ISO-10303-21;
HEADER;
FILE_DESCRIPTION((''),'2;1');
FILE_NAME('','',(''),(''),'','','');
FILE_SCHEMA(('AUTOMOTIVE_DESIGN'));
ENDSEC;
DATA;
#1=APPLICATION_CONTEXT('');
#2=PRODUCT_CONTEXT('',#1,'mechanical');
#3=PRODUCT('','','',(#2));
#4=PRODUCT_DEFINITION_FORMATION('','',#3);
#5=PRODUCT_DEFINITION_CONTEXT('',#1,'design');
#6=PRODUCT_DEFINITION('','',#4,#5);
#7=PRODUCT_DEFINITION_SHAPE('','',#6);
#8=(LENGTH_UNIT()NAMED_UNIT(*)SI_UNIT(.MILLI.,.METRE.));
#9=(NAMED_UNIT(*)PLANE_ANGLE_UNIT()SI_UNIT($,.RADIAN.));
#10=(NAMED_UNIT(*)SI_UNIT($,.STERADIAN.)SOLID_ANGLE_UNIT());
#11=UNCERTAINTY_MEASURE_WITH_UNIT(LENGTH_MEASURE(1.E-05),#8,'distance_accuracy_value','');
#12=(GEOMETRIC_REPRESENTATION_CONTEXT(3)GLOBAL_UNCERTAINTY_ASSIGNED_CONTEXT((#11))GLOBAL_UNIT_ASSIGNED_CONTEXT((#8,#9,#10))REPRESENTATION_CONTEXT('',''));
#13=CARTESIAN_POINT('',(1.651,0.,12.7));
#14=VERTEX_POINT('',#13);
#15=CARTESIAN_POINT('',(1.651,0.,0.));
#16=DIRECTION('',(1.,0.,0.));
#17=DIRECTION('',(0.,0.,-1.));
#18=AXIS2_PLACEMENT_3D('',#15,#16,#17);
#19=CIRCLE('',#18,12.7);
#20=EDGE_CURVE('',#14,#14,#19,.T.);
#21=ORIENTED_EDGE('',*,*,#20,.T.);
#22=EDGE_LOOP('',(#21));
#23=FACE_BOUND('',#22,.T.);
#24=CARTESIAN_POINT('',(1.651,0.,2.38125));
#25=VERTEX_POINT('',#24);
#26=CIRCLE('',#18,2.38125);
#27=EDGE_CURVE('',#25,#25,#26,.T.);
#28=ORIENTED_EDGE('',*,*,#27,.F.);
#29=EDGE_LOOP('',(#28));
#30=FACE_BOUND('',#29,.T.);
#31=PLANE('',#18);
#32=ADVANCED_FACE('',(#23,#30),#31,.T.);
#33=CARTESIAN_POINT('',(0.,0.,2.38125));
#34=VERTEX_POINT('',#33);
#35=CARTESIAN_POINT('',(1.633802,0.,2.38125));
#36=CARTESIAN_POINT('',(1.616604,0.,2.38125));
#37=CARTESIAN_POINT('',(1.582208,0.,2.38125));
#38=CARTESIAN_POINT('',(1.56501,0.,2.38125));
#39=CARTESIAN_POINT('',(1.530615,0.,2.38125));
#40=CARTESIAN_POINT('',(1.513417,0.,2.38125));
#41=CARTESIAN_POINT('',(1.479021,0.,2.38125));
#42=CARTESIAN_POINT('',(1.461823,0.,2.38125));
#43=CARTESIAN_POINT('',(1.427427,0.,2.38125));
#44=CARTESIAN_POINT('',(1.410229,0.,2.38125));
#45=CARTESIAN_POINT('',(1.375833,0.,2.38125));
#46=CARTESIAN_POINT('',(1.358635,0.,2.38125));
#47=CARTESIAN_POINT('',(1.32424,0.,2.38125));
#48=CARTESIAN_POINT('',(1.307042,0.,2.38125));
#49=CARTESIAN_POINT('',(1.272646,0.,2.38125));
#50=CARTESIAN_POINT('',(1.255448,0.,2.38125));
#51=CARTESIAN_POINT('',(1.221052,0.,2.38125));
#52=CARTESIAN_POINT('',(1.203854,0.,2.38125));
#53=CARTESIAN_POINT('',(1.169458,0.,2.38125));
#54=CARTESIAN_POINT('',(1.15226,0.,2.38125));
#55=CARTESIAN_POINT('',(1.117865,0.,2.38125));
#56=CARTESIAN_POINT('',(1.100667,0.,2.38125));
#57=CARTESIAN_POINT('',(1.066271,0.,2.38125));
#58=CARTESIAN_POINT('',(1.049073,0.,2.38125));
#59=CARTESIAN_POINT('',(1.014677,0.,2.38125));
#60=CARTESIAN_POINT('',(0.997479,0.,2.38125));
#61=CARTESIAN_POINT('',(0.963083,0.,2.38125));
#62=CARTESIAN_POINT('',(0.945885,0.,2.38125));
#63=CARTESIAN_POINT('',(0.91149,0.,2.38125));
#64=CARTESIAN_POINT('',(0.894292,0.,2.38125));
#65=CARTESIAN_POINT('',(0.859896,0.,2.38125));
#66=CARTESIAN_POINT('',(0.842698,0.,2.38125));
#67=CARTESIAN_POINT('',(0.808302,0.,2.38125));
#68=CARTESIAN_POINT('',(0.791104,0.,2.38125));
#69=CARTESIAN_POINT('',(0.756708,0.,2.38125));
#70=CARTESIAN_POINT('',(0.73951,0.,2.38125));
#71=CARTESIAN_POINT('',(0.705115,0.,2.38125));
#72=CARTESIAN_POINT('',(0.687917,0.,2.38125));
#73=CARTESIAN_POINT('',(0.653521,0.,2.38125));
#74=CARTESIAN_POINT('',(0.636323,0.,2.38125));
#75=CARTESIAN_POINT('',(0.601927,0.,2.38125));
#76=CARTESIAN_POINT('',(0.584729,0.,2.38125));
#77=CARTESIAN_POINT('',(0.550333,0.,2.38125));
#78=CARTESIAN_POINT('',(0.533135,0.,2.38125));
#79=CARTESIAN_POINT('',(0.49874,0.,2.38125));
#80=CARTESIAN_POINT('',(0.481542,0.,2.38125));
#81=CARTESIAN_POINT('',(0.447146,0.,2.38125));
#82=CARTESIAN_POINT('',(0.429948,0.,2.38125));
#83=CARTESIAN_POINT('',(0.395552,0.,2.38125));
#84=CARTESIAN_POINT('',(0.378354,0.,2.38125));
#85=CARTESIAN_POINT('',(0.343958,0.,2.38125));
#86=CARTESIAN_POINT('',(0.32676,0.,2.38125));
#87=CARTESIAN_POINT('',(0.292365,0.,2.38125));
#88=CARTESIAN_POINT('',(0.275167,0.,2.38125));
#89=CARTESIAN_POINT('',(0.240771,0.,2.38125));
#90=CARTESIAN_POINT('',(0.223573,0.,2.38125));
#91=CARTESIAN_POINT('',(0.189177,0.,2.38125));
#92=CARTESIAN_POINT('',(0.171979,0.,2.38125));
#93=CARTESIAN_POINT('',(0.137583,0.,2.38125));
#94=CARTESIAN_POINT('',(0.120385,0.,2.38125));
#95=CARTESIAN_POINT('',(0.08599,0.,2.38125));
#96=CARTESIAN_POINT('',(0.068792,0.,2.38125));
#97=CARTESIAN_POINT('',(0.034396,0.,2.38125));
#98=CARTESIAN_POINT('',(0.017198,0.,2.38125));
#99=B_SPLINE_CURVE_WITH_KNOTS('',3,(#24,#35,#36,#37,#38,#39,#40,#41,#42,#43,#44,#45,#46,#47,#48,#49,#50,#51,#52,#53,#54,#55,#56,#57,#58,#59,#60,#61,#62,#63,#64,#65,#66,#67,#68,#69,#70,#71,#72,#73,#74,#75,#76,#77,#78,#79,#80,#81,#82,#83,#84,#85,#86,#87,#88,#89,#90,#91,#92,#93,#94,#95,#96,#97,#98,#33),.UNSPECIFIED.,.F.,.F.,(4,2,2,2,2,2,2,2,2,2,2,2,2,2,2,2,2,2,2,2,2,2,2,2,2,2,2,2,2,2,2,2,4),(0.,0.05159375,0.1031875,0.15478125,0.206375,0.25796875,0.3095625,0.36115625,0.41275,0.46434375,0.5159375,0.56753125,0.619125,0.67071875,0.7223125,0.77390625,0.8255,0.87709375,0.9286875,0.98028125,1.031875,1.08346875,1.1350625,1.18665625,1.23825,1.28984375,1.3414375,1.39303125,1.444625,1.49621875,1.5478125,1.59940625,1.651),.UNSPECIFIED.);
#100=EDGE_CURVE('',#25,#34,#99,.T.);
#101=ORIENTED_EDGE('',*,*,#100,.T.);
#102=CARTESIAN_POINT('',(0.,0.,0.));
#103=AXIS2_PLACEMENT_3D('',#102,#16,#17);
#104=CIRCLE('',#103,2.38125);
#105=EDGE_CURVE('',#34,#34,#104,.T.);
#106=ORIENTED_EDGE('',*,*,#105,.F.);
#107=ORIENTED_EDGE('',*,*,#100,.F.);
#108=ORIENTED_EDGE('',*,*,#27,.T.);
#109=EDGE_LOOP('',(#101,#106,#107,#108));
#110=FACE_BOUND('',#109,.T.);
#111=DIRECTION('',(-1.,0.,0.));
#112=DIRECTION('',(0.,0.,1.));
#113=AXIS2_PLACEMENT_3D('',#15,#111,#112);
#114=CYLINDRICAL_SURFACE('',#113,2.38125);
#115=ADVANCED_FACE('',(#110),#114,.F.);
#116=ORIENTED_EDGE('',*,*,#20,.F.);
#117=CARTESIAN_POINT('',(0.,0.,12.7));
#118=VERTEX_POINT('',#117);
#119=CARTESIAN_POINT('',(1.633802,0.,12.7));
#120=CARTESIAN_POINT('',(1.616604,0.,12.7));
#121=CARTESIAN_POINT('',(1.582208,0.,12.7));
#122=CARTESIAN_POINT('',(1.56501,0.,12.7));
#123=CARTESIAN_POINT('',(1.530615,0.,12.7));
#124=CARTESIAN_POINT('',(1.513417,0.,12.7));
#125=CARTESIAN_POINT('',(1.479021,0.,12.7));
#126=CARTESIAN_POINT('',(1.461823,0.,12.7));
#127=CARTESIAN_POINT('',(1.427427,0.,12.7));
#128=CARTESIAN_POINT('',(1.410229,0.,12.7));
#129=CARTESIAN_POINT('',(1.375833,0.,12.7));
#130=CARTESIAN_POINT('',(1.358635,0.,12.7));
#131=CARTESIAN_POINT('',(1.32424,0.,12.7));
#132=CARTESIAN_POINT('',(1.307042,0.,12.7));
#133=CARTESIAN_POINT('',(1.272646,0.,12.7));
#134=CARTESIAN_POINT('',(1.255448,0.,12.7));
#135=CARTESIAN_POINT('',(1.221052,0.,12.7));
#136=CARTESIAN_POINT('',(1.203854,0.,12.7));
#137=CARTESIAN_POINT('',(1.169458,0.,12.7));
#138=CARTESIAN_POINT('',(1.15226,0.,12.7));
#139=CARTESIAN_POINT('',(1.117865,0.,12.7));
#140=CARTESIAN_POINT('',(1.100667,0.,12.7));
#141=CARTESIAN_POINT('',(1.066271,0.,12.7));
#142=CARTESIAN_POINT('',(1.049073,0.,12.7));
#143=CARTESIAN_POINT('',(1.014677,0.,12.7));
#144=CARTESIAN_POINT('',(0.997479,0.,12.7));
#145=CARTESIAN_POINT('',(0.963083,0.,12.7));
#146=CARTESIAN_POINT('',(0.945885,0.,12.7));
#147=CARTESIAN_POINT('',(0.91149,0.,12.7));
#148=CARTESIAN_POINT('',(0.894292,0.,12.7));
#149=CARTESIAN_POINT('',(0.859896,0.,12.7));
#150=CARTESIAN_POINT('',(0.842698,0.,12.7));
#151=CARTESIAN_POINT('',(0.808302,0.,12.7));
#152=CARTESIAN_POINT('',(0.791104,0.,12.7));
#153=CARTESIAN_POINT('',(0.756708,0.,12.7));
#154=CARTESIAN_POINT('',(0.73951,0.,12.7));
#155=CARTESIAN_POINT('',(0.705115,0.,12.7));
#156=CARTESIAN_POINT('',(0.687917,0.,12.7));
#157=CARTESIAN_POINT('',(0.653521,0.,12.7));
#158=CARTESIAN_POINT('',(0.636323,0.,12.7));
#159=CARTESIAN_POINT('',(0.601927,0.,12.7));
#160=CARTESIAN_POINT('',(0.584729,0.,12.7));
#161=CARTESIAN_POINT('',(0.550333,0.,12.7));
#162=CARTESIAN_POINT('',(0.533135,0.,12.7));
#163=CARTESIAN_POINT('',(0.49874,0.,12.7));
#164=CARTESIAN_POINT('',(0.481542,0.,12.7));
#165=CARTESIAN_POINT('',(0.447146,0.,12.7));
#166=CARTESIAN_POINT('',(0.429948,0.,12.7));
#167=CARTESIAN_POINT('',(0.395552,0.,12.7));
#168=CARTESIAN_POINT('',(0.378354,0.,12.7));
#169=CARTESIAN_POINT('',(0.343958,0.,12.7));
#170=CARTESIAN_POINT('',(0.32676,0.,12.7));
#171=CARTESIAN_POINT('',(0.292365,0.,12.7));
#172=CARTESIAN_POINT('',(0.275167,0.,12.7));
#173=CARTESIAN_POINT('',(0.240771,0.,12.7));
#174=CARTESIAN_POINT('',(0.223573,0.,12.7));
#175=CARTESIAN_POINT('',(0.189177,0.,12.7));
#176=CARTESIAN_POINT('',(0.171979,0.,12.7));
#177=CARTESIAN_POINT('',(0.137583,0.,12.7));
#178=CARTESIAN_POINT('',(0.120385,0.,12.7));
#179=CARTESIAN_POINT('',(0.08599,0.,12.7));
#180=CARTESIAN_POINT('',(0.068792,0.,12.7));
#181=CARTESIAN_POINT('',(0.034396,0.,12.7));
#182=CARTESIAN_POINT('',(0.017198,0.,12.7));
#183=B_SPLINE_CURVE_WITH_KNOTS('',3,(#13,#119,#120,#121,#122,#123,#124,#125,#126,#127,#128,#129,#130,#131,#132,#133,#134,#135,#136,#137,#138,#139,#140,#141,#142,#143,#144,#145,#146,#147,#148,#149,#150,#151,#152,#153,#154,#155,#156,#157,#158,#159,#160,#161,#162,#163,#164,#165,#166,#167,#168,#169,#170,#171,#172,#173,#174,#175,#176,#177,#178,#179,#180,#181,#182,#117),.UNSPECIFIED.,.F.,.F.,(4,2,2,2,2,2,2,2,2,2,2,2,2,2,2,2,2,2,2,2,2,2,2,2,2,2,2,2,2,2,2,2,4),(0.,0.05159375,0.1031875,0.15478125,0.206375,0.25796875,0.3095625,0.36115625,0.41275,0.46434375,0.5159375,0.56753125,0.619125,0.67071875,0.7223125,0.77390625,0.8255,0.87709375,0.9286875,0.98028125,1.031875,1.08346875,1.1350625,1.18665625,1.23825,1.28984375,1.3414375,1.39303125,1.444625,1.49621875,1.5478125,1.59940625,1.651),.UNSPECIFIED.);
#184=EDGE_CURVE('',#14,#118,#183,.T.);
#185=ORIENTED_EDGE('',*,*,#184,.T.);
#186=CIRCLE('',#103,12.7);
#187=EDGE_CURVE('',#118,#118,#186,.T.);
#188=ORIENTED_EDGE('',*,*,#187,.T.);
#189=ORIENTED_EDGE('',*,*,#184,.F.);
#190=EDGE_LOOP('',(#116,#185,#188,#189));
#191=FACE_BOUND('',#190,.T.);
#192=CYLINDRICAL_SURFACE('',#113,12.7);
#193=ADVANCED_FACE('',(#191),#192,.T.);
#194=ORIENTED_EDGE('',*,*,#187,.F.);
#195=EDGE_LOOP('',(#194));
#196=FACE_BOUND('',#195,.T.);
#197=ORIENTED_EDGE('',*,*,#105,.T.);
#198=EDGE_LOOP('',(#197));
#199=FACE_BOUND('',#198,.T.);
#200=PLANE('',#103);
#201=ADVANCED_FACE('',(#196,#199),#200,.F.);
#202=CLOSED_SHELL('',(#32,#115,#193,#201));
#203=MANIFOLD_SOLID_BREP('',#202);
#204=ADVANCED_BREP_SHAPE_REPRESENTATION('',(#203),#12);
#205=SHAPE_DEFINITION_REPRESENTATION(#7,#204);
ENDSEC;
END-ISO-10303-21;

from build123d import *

# Parameters (mm, degrees)
SKETCH1_R           = 12.7
SKETCH1_R_2         = 2.38125
BOSS_EXTRUDE1_DEPTH = 1.651


with BuildPart() as part:
    # Sketch1 → Boss-Extrude1 (new body)
    with BuildSketch(Plane(origin=(0, 0, 0), x_dir=(0, 0, -1), z_dir=(1, 0, 0))):
        with Locations(Location((0, 0, 0), (0, 0, 180))):
            Circle(SKETCH1_R)
        with Locations(Location((0, 0, 0), (0, 0, 180))):
            Circle(SKETCH1_R_2, mode=Mode.SUBTRACT)
    extrude(amount=BOSS_EXTRUDE1_DEPTH)


solid = part.part
